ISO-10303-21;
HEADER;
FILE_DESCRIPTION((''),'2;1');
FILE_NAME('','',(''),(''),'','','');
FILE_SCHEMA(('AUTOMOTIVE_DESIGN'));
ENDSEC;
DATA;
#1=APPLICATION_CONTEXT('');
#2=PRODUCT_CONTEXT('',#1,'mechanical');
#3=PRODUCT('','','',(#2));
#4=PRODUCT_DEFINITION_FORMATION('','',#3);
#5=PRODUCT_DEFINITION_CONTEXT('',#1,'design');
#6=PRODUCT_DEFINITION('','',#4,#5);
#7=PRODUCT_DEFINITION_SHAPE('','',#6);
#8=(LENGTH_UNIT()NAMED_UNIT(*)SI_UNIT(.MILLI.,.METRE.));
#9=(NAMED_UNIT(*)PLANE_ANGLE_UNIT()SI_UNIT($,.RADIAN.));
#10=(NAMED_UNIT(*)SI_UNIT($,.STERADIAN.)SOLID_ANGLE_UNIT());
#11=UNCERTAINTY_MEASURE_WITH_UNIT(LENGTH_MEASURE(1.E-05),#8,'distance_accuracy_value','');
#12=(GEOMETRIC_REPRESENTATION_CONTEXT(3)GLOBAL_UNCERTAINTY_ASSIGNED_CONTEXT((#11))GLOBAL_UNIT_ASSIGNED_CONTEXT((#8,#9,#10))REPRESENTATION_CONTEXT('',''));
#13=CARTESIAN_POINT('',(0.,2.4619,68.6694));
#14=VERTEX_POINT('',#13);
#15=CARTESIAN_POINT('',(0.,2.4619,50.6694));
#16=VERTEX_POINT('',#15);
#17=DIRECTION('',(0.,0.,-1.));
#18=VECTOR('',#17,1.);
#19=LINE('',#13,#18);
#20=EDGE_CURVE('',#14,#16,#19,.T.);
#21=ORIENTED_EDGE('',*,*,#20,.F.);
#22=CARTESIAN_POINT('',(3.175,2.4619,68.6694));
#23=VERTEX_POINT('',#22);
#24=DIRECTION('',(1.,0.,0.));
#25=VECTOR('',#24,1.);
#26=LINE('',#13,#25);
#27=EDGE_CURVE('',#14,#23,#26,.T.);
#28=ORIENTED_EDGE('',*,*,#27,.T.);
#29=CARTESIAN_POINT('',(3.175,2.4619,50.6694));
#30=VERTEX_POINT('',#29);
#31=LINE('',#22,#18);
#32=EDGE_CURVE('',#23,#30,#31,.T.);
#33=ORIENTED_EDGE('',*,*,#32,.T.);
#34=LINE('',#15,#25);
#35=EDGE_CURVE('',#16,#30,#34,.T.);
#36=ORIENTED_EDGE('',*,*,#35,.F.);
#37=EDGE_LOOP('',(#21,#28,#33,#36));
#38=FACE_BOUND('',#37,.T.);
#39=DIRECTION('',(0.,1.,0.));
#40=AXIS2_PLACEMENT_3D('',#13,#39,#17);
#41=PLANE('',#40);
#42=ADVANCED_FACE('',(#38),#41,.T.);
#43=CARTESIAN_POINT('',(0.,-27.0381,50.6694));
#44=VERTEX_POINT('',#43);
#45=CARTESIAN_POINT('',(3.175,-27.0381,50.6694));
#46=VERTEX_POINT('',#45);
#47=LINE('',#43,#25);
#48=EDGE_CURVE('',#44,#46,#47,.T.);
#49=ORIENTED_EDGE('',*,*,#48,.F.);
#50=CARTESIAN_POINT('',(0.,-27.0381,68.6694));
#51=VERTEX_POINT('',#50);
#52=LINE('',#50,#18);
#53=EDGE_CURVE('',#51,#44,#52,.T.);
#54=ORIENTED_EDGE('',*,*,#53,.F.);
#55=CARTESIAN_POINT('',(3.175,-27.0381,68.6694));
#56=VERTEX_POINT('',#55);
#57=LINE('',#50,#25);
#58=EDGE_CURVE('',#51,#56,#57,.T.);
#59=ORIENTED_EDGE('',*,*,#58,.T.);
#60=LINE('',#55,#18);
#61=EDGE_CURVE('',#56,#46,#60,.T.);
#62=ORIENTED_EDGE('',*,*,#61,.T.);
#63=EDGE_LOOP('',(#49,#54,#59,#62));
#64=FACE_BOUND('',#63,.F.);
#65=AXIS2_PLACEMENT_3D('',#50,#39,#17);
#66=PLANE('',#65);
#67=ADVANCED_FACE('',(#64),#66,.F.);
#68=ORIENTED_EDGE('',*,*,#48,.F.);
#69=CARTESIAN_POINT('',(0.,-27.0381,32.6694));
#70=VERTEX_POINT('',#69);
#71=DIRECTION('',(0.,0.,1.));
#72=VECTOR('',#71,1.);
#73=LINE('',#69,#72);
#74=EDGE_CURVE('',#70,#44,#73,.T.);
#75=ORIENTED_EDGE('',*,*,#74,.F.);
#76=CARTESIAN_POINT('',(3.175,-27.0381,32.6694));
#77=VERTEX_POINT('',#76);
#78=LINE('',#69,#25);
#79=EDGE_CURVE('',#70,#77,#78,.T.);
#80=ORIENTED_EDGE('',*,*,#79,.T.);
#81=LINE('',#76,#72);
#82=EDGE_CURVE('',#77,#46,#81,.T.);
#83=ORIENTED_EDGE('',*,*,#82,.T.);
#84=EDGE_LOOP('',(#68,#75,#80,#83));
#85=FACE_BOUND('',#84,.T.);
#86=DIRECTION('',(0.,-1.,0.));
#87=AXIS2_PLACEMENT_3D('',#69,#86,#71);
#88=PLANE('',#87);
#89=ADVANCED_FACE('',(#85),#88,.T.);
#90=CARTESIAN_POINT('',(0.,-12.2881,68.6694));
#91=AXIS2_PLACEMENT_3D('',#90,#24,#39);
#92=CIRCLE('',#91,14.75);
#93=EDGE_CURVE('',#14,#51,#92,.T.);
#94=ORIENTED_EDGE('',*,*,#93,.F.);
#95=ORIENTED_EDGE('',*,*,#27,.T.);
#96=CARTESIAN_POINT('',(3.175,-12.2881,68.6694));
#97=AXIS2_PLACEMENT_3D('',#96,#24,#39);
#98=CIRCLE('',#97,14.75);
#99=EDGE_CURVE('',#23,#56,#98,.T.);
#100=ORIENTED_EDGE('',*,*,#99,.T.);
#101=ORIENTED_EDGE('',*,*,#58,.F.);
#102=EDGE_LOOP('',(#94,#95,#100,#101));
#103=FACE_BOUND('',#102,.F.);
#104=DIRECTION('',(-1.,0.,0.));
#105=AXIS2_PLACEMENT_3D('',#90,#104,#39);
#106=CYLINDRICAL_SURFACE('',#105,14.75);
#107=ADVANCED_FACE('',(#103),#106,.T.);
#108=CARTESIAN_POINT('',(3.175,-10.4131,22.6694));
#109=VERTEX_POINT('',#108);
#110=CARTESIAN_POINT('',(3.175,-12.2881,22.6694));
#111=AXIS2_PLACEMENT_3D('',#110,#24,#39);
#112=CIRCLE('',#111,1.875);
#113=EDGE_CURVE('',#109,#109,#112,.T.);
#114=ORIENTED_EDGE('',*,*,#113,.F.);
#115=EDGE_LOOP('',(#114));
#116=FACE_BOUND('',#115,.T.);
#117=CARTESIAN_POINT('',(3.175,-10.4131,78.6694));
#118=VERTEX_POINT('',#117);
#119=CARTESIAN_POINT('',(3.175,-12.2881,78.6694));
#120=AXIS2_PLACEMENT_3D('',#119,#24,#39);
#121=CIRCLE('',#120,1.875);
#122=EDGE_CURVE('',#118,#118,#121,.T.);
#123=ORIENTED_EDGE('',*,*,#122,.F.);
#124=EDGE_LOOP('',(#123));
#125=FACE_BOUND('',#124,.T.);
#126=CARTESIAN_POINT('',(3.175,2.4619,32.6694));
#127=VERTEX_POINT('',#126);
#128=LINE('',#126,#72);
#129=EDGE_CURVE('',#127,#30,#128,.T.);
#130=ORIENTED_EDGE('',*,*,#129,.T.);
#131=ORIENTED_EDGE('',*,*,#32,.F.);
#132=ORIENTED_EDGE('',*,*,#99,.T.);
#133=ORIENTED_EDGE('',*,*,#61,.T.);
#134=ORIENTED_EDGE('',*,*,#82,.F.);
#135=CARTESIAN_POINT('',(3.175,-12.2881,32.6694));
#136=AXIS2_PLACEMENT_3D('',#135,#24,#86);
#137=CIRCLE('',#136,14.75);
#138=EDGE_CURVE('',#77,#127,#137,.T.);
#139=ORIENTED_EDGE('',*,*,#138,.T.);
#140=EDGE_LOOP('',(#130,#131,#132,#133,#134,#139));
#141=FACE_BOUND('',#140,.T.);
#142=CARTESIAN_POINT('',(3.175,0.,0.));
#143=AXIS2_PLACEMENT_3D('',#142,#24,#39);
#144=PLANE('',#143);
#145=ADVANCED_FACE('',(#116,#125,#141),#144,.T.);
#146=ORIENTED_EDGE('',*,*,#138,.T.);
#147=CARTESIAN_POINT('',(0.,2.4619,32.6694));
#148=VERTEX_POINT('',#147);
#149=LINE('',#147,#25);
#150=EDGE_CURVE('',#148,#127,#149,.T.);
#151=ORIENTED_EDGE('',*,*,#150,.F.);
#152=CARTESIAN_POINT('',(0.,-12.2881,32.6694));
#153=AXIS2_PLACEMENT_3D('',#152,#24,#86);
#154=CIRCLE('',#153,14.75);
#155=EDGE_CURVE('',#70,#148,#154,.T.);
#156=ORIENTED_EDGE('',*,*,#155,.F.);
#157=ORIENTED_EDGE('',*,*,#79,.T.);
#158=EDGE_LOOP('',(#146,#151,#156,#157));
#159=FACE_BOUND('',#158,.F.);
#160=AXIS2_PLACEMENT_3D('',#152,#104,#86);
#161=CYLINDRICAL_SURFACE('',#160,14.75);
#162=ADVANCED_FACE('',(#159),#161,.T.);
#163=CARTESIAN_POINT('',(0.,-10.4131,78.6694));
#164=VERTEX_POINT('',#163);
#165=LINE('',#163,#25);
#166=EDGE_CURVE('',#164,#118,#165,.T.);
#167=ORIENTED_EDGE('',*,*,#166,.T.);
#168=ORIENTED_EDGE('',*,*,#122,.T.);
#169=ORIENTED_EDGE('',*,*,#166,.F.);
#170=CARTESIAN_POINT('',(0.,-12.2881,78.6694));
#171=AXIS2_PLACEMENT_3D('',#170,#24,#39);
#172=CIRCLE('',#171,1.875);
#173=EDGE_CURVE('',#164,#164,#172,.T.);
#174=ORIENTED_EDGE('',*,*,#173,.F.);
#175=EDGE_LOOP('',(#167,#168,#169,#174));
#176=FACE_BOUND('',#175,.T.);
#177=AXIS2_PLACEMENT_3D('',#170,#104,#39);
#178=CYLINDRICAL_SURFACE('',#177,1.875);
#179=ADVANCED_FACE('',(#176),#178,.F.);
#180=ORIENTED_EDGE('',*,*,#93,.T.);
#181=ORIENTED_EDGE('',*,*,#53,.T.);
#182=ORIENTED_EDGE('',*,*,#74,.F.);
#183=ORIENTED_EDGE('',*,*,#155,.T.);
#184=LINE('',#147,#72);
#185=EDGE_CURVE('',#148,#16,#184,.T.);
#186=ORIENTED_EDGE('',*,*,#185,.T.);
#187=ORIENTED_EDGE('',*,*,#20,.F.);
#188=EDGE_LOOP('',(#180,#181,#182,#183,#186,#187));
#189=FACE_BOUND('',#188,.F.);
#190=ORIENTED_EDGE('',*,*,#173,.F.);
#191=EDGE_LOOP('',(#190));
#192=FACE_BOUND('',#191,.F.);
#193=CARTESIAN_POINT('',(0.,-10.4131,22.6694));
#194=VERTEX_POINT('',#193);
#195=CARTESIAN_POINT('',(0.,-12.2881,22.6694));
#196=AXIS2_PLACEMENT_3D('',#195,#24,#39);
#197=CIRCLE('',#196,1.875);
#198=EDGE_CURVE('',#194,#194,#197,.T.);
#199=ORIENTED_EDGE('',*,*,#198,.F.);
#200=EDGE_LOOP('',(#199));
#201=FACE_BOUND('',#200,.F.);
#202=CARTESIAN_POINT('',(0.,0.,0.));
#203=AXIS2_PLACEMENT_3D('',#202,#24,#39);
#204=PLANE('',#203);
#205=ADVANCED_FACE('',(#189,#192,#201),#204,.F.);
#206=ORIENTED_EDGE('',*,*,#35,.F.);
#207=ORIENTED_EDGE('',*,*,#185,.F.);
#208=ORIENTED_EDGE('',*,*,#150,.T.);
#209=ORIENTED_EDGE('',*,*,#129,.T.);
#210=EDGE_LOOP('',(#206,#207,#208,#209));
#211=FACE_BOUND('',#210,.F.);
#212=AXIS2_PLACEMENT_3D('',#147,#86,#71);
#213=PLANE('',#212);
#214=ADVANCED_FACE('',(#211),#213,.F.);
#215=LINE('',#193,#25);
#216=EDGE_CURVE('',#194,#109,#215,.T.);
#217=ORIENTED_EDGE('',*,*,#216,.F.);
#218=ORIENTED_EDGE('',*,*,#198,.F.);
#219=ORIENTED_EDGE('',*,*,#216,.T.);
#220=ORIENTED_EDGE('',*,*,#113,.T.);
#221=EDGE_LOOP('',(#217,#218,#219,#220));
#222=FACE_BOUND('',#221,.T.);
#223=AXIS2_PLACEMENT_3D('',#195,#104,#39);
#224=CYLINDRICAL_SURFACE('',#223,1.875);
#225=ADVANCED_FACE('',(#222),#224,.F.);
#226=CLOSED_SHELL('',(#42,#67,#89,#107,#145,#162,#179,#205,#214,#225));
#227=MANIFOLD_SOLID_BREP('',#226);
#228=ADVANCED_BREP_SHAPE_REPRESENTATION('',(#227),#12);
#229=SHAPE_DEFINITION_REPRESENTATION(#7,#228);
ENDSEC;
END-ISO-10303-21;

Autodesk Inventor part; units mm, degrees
ref_plane "YZ Plane" through (0, 0, 0) normal (1, 0, 0) x (0, 1, 0)
ref_plane "XZ Plane" through (0, 0, 0) normal (0, 1, 0) x (-1, 0, 0)
ref_plane "XY Plane" through (0, 0, 0) normal (0, 0, 1) x (1, 0, 0)
sketch "Sketch1" plane through (0, 0, 0) normal (1, 0, 0) x (0, 1, 0)
  arc A0 (-27.0381, 32.6694) -> (2.4619, 32.6694) centre (-12.2881, 32.6694) ccw
  arc A1 (-27.0381, 32.6694) -> (2.4619, 32.6694) centre (-12.2881, 32.6694) ccw
  arc A2 (-27.0381, 32.6694) -> (2.4619, 32.6694) centre (-12.2881, 32.6694) ccw
  line L0 (-27.0381, 32.6694) -> (-27.0381, 50.6694)
  line L1 (2.4619, 32.6694) -> (2.4619, 50.6694)
  line L2 (-27.0381, 50.6694) -> (-37.7302, 50.6694)
  arc A3 (2.4619, 68.6694) -> (-27.0381, 68.6694) centre (-12.2881, 68.6694) ccw
  arc A4 (2.4619, 68.6694) -> (-27.0381, 68.6694) centre (-12.2881, 68.6694) ccw
  arc A5 (2.4619, 68.6694) -> (-27.0381, 68.6694) centre (-12.2881, 68.6694) ccw
  line L3 (-27.0381, 68.6694) -> (-27.0381, 50.6694)
  line L4 (2.4619, 68.6694) -> (2.4619, 50.6694)
  circle A6 centre (-12.2881, 22.6694) radius 1.875
  circle A7 centre (-12.2881, 78.6694) radius 1.875
  point P0 (0, 0)
  dimension "d7" = 29.5
  dimension "d8" = 29.5
  dimension "d9" = 29.5
  dimension "d12" = 18
  dimension "d13" = 18
  dimension "d14" = 3.75
  dimension "d16" = 3.75
  dimension "d17" = 56
extrude "Extrusion1" add sketch "Sketch1" along normal blind 3.175
properties part number "clamp"
